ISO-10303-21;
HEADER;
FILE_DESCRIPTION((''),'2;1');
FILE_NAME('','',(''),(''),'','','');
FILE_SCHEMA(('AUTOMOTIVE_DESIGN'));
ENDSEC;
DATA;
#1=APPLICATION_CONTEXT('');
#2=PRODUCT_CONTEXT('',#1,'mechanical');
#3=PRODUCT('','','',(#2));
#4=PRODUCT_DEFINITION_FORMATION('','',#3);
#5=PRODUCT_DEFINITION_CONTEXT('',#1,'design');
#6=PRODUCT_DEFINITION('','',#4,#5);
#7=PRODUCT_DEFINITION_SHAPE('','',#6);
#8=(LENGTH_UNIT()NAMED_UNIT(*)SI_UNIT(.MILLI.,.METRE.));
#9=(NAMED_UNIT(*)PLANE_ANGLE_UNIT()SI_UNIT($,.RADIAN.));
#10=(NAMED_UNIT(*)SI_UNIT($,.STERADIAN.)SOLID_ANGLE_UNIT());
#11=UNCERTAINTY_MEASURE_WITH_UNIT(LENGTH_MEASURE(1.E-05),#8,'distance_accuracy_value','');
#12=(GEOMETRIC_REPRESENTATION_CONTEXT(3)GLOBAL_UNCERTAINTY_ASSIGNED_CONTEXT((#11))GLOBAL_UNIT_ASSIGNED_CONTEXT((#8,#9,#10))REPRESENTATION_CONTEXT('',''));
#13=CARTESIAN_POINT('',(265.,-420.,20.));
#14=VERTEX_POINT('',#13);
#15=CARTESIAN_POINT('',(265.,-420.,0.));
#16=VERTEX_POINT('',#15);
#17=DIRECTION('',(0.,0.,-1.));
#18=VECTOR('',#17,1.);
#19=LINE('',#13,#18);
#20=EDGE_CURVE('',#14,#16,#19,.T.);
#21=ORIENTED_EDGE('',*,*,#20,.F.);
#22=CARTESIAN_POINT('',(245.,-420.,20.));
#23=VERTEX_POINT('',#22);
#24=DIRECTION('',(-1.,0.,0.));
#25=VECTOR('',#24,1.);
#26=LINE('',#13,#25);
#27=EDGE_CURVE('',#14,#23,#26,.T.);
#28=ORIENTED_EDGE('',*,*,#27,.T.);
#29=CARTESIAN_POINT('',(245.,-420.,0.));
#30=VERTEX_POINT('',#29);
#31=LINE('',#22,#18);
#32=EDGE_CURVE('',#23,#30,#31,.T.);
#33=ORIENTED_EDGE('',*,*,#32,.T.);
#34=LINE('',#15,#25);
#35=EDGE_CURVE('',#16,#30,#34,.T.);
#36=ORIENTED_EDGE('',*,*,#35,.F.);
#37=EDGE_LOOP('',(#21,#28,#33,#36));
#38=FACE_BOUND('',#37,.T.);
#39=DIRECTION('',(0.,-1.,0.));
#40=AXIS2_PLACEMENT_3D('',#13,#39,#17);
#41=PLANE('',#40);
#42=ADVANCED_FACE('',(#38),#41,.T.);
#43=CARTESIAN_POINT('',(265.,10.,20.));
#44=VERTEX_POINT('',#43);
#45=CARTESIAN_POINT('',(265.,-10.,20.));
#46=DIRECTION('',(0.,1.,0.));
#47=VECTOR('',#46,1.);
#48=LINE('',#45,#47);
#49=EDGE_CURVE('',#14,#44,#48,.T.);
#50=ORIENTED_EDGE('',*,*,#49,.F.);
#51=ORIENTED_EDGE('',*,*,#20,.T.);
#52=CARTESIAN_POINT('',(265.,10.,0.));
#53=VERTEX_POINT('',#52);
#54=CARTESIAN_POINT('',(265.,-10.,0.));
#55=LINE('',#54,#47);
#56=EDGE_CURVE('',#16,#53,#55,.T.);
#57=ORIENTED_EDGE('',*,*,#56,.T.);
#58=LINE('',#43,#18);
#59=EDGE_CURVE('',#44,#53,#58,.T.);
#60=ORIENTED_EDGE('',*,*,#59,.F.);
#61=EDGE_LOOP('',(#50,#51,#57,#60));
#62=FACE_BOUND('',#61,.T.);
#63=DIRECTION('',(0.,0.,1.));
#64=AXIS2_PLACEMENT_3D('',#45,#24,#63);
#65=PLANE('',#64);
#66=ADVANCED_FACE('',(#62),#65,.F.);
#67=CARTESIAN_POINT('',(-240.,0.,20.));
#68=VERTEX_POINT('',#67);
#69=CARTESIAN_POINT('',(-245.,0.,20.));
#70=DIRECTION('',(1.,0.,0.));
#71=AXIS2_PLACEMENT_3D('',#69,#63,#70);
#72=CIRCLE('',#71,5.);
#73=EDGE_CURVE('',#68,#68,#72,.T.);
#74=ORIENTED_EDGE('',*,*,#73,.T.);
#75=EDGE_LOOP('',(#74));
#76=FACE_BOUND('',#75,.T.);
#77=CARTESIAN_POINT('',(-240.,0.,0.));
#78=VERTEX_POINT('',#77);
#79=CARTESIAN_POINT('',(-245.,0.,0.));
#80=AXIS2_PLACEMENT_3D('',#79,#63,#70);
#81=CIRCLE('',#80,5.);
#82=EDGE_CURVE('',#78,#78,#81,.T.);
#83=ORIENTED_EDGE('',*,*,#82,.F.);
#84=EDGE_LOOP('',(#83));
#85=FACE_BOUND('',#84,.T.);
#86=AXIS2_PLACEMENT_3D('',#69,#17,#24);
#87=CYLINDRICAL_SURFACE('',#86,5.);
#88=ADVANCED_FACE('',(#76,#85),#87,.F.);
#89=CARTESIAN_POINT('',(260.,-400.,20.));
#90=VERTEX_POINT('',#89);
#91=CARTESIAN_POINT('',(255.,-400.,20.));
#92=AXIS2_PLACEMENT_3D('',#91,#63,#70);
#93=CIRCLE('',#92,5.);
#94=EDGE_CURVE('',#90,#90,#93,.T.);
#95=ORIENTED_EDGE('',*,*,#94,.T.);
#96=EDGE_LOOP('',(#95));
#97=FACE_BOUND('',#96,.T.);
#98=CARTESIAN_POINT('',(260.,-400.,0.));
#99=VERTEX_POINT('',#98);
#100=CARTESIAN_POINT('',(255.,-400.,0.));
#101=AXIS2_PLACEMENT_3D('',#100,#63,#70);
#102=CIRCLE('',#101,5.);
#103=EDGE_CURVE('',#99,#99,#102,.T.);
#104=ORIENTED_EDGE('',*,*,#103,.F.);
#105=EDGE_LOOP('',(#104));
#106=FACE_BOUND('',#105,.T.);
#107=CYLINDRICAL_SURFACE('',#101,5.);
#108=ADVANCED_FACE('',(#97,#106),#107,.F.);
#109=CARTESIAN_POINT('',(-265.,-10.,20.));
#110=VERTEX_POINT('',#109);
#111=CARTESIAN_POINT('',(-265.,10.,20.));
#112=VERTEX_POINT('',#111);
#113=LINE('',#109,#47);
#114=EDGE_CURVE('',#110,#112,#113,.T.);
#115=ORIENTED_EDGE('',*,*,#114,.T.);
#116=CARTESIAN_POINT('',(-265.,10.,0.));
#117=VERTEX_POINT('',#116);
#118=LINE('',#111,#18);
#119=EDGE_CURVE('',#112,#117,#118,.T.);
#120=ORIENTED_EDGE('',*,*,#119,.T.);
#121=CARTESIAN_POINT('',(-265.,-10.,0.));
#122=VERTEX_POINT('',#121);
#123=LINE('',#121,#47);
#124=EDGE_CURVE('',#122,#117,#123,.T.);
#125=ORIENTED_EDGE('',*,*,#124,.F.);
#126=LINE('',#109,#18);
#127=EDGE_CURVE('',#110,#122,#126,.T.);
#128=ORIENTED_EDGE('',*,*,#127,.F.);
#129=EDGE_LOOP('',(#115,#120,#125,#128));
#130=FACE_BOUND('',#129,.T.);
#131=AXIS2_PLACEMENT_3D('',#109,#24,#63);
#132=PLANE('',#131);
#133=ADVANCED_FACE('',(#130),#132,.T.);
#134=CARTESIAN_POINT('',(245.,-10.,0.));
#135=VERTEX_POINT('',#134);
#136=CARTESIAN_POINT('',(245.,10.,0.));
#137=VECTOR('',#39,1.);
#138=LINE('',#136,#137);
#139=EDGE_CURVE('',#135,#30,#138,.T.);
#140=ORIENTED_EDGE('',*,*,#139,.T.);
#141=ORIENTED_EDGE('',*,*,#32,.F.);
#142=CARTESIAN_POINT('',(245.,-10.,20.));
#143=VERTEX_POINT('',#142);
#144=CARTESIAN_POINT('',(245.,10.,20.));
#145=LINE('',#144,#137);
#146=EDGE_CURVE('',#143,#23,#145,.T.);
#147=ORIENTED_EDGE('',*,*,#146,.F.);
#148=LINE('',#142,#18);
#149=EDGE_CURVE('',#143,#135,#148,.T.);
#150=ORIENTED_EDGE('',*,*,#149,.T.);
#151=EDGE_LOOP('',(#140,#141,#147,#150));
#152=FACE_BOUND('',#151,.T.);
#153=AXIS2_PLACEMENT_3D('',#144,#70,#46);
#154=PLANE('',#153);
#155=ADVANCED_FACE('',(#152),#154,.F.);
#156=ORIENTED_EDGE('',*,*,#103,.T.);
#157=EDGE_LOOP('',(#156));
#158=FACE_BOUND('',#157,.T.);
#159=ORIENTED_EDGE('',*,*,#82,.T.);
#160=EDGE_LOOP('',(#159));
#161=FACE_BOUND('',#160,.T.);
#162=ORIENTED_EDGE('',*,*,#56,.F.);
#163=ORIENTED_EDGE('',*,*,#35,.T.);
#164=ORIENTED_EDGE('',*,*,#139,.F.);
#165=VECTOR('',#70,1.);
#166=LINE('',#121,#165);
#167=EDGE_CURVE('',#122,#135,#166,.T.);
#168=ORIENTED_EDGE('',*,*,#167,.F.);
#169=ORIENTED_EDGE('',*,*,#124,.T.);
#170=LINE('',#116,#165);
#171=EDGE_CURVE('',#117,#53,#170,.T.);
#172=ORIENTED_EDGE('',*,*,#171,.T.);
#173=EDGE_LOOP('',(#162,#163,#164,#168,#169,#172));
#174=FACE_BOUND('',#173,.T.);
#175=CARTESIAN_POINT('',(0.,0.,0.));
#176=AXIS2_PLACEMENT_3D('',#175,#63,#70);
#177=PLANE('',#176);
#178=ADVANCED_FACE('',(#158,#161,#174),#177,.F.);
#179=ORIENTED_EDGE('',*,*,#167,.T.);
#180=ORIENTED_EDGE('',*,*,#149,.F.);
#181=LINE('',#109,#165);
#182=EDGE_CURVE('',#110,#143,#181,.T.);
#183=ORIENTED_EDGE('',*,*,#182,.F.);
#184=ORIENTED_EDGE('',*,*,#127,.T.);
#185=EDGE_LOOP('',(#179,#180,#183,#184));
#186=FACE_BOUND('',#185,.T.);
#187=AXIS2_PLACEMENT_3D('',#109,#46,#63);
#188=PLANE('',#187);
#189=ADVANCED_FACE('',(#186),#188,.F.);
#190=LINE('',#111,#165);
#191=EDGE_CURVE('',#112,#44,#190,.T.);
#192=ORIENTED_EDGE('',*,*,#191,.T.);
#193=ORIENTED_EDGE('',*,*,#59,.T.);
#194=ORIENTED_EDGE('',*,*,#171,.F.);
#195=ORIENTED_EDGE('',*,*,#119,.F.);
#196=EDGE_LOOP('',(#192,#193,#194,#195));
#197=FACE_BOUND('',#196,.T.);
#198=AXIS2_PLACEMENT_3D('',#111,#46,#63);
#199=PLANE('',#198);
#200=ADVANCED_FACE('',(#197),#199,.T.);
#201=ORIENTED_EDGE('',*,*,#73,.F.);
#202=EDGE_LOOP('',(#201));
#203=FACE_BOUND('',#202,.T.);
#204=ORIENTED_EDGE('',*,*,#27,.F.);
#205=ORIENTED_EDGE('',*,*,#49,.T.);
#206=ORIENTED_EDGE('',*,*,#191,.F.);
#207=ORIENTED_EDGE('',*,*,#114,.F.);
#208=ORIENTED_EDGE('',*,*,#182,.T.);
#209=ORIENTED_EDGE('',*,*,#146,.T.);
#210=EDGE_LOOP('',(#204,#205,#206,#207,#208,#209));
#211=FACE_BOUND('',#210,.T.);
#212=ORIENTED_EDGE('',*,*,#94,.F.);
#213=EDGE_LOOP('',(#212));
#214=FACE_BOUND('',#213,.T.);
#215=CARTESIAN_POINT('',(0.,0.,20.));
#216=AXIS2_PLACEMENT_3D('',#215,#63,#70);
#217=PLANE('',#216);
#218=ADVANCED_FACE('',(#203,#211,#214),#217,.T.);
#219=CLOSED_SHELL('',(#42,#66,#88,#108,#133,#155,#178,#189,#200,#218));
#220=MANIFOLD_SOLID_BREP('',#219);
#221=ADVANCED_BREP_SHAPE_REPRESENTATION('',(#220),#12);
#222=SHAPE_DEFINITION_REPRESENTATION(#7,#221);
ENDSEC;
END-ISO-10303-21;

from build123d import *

# Parameters (mm, degrees)
SKETCH_1_W          = 510
SKETCH_1_H          = 20
SKETCH_1_R          = 5
SKETCH_1_W_2        = 20
SKETCH_1_H_2        = 410
EXTRUDE_1_DEPTH     = 20
SKETCH_2_R          = 5
CUT_EXTRUDE_1_DEPTH = 20


with BuildPart() as part:
    # Эскиз1 → Бобышка-Вытянуть1 (new body)
    # profile 1 of 3: a face of its own
    with BuildSketch(Plane.XY):
        with Locations((-10, 0)):
            Rectangle(SKETCH_1_W, SKETCH_1_H)
        with Locations((-245, 0)):
            Circle(SKETCH_1_R, mode=Mode.SUBTRACT)
    # profile 2 of 3: a face of its own
    with BuildSketch(Plane.XY):
        with Locations((255, 0)):
            Rectangle(SKETCH_1_W_2, SKETCH_1_H)
    # profile 3 of 3: a face of its own
    with BuildSketch(Plane.XY):
        with Locations((255, -215)):
            Rectangle(SKETCH_1_W_2, SKETCH_1_H_2)
    extrude(amount=EXTRUDE_1_DEPTH)

    # Эскиз2 → Вырез-Вытянуть1 (cut)
    with BuildSketch(Plane.XY.offset(20)):
        with Locations((255, -400)):
            Circle(SKETCH_2_R)
    extrude(amount=-CUT_EXTRUDE_1_DEPTH, mode=Mode.SUBTRACT)


solid = part.part
